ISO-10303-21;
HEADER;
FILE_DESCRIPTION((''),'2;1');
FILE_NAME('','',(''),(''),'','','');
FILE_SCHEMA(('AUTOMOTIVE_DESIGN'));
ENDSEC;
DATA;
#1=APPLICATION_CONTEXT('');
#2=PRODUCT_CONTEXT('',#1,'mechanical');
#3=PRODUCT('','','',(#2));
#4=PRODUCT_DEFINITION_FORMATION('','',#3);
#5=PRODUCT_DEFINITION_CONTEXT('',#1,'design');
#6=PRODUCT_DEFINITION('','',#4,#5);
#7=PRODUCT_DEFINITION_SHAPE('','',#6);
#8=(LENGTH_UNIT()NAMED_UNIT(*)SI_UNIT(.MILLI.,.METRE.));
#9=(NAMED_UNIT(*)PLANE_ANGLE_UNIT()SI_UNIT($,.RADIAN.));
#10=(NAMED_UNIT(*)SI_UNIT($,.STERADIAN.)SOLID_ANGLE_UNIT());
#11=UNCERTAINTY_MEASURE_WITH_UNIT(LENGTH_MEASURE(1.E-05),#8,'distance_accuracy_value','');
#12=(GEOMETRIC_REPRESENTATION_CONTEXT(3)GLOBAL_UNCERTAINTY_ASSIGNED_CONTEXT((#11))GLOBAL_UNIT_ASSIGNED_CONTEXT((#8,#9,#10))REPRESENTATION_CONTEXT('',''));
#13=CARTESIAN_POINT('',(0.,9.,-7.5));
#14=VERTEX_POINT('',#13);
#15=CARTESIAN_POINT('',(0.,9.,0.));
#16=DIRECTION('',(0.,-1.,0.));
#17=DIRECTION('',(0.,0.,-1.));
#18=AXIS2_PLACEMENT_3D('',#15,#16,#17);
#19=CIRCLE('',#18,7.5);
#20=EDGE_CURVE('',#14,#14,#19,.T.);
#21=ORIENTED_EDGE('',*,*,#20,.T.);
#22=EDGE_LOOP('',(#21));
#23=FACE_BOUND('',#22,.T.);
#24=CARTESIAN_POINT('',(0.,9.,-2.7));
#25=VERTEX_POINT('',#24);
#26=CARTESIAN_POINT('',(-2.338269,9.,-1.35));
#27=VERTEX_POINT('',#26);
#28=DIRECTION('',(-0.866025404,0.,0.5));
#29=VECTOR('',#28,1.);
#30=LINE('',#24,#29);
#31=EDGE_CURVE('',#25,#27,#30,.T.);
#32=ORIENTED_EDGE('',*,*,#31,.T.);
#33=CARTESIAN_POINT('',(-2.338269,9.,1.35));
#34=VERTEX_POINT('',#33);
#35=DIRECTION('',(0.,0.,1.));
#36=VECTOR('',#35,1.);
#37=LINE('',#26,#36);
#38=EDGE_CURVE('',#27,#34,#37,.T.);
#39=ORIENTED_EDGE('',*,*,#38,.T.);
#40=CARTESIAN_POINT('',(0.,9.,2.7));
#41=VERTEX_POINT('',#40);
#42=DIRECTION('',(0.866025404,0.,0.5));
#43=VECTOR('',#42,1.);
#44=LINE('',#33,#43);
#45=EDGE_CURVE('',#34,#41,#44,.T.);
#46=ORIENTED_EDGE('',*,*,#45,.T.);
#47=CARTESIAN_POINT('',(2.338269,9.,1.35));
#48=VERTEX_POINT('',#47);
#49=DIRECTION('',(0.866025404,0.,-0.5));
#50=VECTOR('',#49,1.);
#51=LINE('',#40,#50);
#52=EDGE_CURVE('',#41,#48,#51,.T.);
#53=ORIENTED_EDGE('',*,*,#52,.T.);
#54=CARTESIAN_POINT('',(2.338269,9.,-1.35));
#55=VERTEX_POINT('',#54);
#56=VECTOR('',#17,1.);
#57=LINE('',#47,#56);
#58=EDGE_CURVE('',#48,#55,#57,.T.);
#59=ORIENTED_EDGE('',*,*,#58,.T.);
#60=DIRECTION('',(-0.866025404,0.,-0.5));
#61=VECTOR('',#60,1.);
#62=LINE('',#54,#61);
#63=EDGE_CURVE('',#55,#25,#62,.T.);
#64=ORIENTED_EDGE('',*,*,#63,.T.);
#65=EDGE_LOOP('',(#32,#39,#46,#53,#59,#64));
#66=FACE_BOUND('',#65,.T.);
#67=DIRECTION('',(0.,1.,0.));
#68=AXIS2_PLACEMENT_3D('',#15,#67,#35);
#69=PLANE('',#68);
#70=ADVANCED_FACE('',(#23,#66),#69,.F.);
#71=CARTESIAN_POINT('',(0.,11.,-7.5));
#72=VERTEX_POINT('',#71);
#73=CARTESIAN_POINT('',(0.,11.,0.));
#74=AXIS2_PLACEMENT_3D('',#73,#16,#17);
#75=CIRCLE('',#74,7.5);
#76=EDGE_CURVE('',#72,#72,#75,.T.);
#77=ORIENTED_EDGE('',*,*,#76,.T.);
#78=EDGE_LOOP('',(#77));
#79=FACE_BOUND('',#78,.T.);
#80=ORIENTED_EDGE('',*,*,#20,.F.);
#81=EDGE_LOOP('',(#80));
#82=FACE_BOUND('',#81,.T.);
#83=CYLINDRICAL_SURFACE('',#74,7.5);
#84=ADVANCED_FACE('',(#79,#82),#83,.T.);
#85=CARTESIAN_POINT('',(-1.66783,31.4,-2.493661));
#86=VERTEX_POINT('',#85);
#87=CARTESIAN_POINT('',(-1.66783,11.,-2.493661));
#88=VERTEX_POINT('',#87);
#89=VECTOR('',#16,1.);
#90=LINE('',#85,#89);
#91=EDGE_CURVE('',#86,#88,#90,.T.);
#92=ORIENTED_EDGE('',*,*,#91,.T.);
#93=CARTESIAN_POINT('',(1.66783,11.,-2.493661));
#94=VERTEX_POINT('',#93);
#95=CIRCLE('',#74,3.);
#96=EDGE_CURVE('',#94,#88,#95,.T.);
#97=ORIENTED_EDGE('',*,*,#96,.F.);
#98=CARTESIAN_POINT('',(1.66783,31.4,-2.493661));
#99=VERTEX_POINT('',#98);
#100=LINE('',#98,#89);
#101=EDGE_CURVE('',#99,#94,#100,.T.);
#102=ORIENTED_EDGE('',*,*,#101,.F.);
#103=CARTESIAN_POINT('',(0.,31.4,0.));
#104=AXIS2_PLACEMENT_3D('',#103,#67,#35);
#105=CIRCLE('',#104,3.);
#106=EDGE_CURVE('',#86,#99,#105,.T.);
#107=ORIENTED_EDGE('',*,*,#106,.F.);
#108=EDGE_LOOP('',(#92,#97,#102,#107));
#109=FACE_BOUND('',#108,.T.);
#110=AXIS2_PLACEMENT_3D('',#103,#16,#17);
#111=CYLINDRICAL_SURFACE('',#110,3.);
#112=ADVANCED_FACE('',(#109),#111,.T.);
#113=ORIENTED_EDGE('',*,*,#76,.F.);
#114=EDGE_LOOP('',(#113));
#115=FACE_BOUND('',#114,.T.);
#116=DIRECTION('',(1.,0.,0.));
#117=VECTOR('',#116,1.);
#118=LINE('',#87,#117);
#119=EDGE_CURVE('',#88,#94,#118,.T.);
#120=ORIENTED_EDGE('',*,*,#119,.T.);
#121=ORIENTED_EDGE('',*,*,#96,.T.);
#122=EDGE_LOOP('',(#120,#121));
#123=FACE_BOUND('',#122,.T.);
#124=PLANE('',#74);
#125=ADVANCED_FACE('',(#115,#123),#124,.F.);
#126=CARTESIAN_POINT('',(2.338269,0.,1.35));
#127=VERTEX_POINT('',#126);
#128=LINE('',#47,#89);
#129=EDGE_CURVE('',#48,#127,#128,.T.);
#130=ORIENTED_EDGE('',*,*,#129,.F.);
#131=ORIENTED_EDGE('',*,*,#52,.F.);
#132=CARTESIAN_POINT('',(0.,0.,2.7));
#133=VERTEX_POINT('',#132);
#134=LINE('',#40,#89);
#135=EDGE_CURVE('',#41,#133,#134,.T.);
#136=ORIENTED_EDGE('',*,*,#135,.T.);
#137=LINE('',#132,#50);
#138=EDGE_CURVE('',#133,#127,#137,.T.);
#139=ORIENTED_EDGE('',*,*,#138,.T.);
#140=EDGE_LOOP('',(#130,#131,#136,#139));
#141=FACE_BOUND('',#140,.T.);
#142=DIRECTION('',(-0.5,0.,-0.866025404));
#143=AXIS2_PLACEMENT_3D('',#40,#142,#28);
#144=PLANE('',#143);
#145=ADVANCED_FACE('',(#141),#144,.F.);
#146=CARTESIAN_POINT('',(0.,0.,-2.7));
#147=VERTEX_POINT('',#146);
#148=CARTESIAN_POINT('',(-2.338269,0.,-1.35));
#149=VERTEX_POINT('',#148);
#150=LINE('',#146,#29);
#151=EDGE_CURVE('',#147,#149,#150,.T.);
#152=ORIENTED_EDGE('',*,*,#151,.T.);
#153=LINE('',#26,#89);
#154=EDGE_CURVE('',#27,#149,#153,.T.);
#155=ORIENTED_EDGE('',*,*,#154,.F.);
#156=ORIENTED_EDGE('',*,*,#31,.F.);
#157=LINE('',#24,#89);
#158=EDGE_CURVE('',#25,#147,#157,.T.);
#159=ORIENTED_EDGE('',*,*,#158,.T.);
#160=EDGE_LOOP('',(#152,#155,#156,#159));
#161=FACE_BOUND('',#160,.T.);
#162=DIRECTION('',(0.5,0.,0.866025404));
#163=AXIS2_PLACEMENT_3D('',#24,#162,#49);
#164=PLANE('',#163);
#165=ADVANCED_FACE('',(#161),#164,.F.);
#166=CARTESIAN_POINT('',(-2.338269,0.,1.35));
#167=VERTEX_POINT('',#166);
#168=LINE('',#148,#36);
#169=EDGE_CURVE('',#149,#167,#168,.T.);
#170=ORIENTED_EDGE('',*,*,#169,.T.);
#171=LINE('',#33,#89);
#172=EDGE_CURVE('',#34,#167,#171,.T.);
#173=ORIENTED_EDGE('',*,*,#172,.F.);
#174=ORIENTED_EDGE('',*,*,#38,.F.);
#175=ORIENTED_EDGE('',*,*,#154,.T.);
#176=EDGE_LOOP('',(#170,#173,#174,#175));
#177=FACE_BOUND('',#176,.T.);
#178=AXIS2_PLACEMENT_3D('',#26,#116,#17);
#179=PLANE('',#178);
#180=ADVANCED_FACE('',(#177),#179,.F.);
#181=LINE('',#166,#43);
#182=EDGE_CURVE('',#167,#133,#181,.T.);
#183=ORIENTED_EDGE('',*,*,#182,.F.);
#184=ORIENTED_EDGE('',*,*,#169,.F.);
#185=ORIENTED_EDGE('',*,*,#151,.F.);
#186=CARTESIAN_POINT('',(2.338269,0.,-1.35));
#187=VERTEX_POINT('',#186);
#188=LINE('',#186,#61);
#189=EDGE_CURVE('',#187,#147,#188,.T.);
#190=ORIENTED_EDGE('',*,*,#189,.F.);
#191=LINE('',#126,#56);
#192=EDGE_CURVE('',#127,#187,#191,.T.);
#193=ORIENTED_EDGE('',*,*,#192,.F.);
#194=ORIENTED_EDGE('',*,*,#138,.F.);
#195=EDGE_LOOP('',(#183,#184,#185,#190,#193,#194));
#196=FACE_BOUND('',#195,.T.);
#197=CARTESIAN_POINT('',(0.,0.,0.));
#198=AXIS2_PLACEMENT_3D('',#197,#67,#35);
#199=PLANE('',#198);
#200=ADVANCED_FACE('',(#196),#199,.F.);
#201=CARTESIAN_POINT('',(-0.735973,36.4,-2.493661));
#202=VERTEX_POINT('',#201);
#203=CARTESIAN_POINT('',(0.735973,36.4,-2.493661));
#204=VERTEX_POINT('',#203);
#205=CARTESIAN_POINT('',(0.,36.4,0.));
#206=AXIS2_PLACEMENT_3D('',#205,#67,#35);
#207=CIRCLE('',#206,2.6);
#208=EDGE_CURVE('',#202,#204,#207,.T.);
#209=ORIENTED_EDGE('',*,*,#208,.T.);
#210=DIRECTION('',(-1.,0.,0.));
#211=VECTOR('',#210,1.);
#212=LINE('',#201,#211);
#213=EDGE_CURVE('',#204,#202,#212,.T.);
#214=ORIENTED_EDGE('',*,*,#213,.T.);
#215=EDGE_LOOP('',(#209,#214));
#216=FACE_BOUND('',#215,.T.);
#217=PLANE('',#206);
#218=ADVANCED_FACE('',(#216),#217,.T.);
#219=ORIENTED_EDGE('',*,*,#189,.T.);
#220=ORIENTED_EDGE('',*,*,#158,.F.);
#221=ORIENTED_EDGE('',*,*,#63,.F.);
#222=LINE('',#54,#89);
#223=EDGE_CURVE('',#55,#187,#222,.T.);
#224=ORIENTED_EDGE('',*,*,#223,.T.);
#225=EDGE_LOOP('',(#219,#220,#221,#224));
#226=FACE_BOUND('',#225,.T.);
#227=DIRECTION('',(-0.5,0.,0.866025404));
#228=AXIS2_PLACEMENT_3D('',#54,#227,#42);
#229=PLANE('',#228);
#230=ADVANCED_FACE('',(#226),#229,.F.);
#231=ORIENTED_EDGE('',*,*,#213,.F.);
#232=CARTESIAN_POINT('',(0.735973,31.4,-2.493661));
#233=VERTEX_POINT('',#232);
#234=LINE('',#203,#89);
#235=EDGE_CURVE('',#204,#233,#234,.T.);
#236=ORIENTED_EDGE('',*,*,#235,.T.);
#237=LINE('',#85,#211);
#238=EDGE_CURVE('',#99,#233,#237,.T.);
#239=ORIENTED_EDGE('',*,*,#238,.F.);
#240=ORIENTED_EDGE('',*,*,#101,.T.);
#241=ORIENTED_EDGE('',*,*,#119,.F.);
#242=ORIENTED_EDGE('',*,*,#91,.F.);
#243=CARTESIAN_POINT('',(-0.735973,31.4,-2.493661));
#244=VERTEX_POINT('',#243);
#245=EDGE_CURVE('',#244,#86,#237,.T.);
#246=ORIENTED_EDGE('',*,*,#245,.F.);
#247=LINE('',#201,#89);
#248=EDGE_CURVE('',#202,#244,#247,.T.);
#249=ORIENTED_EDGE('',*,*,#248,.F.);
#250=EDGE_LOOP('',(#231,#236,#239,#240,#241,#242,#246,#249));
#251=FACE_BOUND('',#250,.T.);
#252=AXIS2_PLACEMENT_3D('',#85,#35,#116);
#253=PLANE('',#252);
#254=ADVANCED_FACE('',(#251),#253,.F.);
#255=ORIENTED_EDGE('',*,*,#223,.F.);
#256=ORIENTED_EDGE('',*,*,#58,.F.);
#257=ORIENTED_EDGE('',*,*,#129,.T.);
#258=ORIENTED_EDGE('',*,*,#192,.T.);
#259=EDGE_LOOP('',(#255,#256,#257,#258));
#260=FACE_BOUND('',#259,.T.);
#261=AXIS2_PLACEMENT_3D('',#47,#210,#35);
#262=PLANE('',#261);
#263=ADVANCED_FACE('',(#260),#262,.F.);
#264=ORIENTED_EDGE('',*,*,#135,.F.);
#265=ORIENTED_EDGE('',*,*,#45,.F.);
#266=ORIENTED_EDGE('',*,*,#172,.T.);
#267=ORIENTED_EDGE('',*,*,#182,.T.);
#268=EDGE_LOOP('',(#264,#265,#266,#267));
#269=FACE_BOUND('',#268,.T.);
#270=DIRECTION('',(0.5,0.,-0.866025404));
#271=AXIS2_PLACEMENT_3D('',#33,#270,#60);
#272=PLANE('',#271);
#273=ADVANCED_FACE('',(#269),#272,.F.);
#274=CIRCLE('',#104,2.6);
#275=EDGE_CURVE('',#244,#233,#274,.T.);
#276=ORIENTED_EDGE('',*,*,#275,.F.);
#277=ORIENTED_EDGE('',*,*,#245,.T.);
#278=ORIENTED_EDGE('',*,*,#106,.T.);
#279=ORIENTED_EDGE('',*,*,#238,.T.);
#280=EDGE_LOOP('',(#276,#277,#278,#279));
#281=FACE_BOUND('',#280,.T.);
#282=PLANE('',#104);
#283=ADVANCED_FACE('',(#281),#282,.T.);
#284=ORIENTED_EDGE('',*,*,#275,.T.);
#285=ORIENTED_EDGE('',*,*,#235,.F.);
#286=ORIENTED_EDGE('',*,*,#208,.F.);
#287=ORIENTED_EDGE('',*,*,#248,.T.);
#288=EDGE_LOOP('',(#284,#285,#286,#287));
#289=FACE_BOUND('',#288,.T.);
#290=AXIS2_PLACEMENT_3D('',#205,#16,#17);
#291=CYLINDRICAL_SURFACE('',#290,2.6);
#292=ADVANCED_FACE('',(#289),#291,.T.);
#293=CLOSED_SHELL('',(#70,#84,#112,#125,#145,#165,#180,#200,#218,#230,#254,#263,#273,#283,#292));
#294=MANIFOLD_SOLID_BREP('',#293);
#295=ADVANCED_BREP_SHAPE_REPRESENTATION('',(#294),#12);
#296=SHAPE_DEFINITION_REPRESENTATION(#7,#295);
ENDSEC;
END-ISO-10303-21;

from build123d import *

# Parameters (mm, degrees)
BOSS_EXTRUDE1_DEPTH = 9
BOSS_EXTRUDE2_DEPTH = 22.4
SKETCH3_R           = 7.5
BOSS_EXTRUDE3_DEPTH = 2
BOSS_EXTRUDE4_DEPTH = 5


with BuildPart() as part:
    # Sketch1 → Boss-Extrude1 (new body)
    with BuildSketch(Plane(origin=(0, 0, 0), x_dir=(1, 0, 0), z_dir=(0, 1, 0))):
        Polygon((0, 2.7), (-2.33826859, 1.35), (-2.33826859, -1.35), (0, -2.7), (2.33826859, -1.35), (2.33826859, 1.35), align=None)
    extrude(amount=BOSS_EXTRUDE1_DEPTH)

    # Sketch2 → Boss-Extrude2 (add)
    with BuildSketch(Plane(origin=(0, 9, 0), x_dir=(1, 0, 0), z_dir=(0, 1, 0))):
        with BuildLine():
            Line((-1.667829968, 2.493660602), (1.667829968, 2.493660602))
            ThreePointArc((1.667829968, 2.493660602), (0, -3), (-1.667829968, 2.493660602))
        make_face()
    extrude(amount=BOSS_EXTRUDE2_DEPTH)

    # Sketch3 → Boss-Extrude3 (add)
    with BuildSketch(Plane.XZ.offset(-9)):
        with Locations(Location((0, 0, 0), (0, 0, 270))):
            Circle(SKETCH3_R)
    extrude(amount=-BOSS_EXTRUDE3_DEPTH)

    # Sketch4 → Boss-Extrude4 (add)
    with BuildSketch(Plane(origin=(0, 31.4, 0), x_dir=(1, 0, 0), z_dir=(0, 1, 0))):
        with BuildLine():
            Line((-0.735973371, 2.493660602), (0.735973371, 2.493660602))
            ThreePointArc((0.735973371, 2.493660602), (0, -2.6), (-0.735973371, 2.493660602))
        make_face()
    extrude(amount=BOSS_EXTRUDE4_DEPTH)


solid = part.part
